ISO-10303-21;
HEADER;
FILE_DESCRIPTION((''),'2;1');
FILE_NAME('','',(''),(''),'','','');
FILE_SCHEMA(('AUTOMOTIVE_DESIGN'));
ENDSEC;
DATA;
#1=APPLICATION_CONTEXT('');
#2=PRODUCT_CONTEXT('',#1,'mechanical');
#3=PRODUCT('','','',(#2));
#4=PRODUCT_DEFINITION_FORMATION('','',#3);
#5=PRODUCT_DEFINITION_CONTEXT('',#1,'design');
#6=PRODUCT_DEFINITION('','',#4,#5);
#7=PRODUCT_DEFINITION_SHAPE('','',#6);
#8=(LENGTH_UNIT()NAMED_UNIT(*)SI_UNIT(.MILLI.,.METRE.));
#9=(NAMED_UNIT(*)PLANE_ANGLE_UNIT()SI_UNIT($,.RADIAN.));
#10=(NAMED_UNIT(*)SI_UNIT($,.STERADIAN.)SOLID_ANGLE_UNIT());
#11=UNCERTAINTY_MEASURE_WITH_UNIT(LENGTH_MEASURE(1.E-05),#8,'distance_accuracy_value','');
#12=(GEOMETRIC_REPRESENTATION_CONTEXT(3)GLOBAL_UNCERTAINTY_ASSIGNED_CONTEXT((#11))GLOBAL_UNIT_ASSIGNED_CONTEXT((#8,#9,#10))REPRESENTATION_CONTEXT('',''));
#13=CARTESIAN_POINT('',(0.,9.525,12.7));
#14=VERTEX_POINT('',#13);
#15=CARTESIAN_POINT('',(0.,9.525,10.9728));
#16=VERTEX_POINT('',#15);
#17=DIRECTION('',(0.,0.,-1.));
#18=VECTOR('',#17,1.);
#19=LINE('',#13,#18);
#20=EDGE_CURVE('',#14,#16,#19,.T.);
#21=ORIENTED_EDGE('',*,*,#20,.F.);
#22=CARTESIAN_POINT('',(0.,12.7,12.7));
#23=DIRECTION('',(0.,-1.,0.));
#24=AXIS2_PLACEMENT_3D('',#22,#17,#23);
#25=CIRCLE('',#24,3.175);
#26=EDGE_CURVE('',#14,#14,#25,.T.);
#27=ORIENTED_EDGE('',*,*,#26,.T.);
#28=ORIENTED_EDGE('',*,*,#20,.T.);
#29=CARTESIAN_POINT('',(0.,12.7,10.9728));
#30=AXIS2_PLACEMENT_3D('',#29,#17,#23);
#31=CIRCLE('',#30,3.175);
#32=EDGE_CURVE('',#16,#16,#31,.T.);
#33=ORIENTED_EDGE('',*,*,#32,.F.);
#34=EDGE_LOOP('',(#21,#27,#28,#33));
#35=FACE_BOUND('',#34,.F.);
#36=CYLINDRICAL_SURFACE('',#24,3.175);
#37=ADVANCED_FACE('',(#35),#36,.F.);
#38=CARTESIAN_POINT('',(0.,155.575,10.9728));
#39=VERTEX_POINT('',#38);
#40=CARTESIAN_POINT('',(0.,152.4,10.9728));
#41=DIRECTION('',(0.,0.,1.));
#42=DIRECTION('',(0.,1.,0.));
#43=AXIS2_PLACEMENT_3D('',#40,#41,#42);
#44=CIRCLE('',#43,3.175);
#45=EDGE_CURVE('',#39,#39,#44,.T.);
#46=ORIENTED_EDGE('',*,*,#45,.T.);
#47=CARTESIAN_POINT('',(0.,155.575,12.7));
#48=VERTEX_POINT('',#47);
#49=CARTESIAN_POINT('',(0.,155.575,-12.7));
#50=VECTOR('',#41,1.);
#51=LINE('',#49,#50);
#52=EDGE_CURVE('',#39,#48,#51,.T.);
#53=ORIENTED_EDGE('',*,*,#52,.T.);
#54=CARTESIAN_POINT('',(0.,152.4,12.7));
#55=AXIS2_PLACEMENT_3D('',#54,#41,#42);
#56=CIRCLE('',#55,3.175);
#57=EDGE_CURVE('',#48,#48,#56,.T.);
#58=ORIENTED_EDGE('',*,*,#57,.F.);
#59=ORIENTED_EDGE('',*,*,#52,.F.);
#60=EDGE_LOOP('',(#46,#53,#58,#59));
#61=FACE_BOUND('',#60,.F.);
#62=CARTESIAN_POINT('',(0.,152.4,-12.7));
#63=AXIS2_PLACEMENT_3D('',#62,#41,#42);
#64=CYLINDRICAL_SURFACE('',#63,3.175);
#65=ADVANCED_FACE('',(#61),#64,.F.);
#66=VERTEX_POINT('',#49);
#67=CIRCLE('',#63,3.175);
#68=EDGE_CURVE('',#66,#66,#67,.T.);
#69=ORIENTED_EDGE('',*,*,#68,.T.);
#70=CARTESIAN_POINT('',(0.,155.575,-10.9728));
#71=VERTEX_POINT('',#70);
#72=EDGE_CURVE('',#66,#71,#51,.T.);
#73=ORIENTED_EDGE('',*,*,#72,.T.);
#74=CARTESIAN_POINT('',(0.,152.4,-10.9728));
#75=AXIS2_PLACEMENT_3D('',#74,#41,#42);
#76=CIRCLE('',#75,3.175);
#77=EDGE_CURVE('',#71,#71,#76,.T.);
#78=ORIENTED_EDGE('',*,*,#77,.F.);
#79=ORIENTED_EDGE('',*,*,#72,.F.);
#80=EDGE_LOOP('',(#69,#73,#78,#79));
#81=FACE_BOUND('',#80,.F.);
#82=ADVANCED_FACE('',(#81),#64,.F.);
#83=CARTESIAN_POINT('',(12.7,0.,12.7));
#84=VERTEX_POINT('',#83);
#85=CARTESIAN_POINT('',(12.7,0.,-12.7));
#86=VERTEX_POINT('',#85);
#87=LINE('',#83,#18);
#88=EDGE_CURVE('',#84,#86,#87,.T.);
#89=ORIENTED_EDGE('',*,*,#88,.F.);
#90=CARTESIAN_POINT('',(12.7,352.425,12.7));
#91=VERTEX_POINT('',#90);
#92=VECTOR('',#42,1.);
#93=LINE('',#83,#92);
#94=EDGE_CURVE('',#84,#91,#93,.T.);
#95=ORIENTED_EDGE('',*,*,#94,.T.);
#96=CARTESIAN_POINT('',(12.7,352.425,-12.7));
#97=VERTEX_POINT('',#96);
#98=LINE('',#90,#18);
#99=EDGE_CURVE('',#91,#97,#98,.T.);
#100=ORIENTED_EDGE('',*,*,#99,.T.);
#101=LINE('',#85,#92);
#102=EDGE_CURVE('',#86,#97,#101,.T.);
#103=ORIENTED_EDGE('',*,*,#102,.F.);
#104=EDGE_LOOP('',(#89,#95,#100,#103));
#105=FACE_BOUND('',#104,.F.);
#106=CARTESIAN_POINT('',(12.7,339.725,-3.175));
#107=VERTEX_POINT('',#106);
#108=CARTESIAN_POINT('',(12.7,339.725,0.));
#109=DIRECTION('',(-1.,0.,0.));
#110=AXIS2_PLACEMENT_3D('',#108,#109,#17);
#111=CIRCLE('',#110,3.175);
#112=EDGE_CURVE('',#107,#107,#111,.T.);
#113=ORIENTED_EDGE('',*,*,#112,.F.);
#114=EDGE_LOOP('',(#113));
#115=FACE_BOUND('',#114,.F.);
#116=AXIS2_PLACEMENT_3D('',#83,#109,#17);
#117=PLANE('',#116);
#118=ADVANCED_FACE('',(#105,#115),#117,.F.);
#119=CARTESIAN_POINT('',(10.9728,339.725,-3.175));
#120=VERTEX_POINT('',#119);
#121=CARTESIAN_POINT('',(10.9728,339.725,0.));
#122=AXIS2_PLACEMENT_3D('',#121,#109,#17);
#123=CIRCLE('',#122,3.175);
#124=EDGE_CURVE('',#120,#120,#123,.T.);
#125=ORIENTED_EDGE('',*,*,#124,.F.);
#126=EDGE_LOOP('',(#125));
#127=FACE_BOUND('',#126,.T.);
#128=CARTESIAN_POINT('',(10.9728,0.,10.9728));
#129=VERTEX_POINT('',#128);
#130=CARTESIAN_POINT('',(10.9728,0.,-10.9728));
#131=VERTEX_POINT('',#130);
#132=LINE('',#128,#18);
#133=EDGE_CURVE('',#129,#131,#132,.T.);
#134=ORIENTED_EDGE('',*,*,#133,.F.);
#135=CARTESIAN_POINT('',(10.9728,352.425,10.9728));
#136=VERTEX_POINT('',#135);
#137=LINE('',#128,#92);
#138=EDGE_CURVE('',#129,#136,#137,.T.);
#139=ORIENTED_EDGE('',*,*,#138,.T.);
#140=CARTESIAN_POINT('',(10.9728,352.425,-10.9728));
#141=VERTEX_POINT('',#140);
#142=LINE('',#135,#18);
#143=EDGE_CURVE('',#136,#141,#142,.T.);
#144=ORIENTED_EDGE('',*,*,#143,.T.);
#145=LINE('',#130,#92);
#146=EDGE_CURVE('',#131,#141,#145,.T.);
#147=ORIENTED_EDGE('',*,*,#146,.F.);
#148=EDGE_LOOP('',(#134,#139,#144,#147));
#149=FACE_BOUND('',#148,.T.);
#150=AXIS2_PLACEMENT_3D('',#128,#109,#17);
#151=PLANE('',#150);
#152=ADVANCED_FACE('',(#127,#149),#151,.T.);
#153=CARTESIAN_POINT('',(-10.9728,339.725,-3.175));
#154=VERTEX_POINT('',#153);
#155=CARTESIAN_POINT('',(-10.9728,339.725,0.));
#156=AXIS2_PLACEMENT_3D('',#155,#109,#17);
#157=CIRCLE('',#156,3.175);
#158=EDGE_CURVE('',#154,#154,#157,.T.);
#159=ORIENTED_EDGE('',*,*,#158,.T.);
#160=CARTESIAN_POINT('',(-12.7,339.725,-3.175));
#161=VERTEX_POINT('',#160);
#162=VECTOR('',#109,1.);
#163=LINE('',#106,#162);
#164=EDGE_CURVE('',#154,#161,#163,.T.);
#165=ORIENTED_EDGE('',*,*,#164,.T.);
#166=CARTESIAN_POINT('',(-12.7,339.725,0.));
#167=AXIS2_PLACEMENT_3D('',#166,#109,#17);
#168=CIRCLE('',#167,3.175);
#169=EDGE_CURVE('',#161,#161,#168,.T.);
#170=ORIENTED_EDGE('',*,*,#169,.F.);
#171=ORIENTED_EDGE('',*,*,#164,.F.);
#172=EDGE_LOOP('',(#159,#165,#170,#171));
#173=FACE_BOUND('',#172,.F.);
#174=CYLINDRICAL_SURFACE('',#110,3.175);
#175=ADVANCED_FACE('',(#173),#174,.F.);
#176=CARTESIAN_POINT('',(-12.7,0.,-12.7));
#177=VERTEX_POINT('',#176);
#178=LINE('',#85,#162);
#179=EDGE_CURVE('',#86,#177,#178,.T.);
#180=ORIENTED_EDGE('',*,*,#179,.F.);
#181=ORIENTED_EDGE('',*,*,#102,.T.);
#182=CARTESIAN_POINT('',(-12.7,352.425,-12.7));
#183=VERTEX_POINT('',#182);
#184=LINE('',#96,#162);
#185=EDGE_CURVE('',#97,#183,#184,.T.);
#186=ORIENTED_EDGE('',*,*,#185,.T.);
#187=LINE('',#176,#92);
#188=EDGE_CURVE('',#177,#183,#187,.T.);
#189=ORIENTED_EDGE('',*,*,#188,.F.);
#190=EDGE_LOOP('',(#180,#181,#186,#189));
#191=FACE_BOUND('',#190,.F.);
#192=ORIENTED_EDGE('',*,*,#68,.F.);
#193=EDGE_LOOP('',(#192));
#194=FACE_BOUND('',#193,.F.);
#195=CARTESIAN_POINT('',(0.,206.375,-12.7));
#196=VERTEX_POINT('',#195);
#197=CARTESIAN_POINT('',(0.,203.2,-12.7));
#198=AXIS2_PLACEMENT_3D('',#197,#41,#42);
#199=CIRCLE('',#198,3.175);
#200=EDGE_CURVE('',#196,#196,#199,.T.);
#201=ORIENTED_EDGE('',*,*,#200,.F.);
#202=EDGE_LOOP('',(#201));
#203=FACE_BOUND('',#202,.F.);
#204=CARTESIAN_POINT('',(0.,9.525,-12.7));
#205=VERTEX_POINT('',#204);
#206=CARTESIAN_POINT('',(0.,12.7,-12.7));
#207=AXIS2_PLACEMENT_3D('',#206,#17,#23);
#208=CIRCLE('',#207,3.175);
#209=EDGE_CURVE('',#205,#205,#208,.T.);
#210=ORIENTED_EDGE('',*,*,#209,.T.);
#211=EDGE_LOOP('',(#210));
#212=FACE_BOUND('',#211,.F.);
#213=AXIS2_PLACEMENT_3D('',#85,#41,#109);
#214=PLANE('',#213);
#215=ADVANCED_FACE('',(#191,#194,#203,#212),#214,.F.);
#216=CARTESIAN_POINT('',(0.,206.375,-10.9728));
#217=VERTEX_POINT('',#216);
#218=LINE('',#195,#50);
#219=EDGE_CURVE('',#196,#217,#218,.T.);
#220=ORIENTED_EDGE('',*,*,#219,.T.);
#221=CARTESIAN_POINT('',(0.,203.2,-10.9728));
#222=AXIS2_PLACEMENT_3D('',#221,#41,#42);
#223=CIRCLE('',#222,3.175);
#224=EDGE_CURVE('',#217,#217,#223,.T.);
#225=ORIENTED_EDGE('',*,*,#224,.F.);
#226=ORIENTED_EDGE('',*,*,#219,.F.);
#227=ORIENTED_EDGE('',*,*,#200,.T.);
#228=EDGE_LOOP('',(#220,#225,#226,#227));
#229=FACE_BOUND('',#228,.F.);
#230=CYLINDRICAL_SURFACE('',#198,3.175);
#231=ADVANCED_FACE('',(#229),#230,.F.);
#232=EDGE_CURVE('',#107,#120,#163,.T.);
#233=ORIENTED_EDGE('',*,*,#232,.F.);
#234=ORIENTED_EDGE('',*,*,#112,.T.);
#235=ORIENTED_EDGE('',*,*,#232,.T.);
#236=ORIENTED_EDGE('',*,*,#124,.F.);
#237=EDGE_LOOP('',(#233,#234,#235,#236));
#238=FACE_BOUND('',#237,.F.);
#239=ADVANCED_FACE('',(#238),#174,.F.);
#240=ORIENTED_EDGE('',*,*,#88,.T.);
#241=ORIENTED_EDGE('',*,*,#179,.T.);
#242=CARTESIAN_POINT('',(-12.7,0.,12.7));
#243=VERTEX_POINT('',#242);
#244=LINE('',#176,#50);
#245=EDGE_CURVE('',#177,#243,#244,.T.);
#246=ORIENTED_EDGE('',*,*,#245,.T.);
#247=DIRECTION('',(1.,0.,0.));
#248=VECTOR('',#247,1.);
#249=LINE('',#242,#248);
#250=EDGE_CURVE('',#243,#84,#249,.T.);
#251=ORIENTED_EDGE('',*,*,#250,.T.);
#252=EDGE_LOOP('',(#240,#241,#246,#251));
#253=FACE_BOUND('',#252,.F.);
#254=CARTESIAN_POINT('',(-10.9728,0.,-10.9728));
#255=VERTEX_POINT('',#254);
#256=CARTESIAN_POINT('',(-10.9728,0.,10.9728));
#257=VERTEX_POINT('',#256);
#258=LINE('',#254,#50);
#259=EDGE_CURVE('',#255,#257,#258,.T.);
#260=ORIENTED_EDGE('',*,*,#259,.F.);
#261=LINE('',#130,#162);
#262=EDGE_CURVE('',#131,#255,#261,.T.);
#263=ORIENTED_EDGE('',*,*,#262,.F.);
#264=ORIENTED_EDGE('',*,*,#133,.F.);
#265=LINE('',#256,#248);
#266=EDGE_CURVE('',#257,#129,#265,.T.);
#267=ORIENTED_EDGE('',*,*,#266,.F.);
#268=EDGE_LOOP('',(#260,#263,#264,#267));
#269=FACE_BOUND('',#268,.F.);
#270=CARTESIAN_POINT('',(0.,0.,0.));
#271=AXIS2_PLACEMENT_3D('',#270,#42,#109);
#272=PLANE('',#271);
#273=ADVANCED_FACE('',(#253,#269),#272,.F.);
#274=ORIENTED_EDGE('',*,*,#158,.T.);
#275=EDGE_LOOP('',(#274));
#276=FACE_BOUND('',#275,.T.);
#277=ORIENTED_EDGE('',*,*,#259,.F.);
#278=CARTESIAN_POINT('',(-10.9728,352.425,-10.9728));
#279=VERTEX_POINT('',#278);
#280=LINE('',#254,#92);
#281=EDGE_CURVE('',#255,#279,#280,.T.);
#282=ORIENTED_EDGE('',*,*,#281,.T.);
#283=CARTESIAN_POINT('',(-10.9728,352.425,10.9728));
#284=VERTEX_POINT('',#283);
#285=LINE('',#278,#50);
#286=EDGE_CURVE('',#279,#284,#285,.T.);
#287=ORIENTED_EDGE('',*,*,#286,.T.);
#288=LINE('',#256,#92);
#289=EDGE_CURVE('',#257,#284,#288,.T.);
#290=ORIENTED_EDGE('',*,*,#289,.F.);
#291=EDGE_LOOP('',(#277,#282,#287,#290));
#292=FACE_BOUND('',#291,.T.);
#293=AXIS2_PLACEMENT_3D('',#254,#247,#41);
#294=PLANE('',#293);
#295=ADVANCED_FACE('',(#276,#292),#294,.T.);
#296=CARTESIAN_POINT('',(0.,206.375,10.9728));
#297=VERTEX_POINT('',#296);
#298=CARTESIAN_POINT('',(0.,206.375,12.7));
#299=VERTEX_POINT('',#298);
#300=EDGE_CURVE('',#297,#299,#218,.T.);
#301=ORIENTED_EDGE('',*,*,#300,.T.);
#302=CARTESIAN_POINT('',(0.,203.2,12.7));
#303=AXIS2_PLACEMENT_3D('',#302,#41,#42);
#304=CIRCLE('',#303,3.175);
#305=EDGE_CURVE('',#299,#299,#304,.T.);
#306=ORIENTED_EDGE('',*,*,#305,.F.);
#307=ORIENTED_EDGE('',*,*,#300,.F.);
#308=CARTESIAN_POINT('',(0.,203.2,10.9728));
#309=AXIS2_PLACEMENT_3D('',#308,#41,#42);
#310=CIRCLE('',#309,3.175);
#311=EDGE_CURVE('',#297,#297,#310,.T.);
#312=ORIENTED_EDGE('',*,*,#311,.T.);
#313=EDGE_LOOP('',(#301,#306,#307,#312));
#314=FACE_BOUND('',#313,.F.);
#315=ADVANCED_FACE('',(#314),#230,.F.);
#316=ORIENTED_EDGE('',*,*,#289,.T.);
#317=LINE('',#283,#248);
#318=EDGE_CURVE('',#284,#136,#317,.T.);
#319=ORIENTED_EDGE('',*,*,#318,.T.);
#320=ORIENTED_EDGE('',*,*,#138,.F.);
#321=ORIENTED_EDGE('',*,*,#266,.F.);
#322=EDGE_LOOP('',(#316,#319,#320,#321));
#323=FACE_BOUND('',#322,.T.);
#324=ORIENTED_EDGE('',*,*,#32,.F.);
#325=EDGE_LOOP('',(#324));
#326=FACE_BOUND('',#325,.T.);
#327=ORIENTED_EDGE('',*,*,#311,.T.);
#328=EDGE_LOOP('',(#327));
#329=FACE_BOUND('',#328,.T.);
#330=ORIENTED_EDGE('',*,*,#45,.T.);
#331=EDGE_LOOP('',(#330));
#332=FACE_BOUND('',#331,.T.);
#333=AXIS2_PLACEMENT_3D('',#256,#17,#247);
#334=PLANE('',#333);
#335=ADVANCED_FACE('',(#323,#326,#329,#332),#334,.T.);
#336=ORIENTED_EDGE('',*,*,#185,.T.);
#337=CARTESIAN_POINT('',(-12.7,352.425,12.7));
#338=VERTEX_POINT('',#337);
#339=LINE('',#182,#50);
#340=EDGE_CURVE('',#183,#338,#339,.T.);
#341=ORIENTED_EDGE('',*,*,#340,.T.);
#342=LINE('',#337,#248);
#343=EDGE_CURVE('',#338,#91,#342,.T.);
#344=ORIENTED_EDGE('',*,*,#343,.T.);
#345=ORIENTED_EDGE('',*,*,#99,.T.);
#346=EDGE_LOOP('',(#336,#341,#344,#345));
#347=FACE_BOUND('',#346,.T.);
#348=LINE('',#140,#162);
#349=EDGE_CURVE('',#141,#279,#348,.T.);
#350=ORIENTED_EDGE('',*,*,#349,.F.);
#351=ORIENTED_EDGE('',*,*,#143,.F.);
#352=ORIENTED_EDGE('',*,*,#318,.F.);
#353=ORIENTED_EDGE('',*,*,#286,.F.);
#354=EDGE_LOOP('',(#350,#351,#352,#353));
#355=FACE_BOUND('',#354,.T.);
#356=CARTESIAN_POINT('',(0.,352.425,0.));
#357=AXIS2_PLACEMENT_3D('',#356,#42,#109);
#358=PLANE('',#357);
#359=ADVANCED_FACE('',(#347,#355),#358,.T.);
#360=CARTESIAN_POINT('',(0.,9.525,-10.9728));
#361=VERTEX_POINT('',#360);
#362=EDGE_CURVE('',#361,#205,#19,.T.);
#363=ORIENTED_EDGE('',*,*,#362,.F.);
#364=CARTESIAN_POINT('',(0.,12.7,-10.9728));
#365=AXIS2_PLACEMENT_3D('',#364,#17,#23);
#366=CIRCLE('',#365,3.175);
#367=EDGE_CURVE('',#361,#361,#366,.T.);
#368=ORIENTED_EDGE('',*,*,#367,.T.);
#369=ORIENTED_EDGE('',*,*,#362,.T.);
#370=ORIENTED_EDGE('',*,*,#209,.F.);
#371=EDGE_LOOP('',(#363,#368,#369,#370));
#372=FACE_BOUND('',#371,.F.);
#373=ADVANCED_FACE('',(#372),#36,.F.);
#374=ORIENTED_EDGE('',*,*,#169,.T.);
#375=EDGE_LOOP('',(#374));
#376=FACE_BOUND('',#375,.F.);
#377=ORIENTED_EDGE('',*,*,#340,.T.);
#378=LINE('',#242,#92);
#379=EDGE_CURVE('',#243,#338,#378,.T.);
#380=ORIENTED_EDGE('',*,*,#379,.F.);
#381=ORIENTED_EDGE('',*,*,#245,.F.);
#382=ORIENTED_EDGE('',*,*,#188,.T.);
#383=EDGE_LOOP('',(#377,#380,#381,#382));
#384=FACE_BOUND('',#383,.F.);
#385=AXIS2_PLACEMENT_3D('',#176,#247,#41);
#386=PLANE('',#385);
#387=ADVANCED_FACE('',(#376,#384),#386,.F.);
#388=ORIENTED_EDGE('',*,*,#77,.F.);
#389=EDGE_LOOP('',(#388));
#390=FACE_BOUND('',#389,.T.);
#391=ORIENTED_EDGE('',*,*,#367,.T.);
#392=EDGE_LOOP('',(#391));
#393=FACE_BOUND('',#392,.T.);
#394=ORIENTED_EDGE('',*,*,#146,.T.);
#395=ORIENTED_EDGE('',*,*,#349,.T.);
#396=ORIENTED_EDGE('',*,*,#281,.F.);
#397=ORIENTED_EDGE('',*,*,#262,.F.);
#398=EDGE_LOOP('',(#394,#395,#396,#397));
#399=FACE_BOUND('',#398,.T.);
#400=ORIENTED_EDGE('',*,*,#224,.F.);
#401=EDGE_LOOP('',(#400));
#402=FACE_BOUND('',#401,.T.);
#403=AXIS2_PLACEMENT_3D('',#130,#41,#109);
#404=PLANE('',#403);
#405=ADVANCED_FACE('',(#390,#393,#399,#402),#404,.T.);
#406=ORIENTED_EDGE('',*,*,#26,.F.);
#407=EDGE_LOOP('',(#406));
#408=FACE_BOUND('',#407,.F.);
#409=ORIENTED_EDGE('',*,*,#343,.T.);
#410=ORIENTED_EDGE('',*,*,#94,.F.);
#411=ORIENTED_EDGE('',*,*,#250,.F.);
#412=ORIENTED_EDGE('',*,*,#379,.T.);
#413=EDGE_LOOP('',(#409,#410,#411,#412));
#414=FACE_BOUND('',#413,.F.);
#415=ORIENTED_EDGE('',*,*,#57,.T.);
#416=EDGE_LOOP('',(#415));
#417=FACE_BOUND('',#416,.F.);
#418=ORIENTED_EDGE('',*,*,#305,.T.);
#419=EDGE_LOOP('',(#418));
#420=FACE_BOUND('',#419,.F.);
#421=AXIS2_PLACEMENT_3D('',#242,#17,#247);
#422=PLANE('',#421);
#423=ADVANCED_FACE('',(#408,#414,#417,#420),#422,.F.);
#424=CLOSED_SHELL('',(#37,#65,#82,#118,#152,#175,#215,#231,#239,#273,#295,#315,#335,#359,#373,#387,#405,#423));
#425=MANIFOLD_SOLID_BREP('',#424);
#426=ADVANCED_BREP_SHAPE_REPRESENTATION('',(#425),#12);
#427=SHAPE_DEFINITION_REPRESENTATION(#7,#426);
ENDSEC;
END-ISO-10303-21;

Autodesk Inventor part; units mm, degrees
ref_plane "YZ Plane" through (0, 0, 0) normal (1, 0, 0) x (0, 1, 0)
ref_plane "XZ Plane" through (0, 0, 0) normal (0, 1, 0) x (-1, 0, 0)
ref_plane "XY Plane" through (0, 0, 0) normal (0, 0, 1) x (1, 0, 0)
sketch "Sketch1" plane through (0, 0, 0) normal (0, 1, 0) x (-1, 0, 0)
  line L0 (-12.7, -12.7) -> (12.7, -12.7)
  line L1 (12.7, -12.7) -> (12.7, 12.7)
  line L2 (12.7, 12.7) -> (-12.7, 12.7)
  line L3 (-12.7, 12.7) -> (-12.7, -12.7)
  line L4 (-12.7, -12.7) -> (12.7, 12.7) construction
  line L5 (12.7, -12.7) -> (-12.7, 12.7) construction
  line L6 (-10.9728, -10.9728) -> (10.9728, -10.9728)
  line L7 (10.9728, -10.9728) -> (10.9728, 10.9728)
  line L8 (10.9728, 10.9728) -> (-10.9728, 10.9728)
  line L9 (-10.9728, 10.9728) -> (-10.9728, -10.9728)
  line L10 (-10.9728, -10.9728) -> (10.9728, 10.9728) construction
  line L11 (10.9728, -10.9728) -> (-10.9728, 10.9728) construction
  point P0 (0, 0)
  dimension "d0" = 25.4
  dimension "d2" = 25.4
  dimension "d3" = 1.7272
  dimension "d4" = 1.7272
extrude "Extrusion1" add sketch "Sketch1" along normal blind 352.425
sketch "Sketch2" plane through (12.7, 0, 12.7) normal (1, 0, 0) x (0, 0, -1)
  line L0 (0, 352.425) -> (25.4, 352.425) projected
  line L1 (0, 0) -> (0, 352.425) projected
  point P0 (12.7, 0)
  point P1 (12.7, 339.725)
  dimension "d7" = 12.7
  dimension "d8" = 12.7
hole "Hole1" at (12.7, 339.725, 0) direction (-1, 0, 0) diameter 6.35 end through all
sketch "Sketch4" plane through (-12.7, 0, 12.7) normal (0, 0, 1) x (1, 0, 0)
  line L0 (0, 0) -> (25.4, 0) projected
  line L1 (25.4, 0) -> (25.4, 352.425) projected
  point P0 (12.7, 0)
  point P1 (12.7, 12.7)
  dimension "d25" = 12.7
  dimension "d26" = 12.7
hole "Hole3" at (0, 12.7, 12.7) direction (0, 0, -1) diameter 6.35 end through all
sketch "Sketch5" plane through (12.7, 0, -12.7) normal (0, 0, -1) x (-1, 0, 0)
  line L0 (0, 0) -> (25.4, 0) projected
  line L1 (25.4, 0) -> (25.4, 352.425) projected
  line L2 (0, 352.425) -> (25.4, 352.425) projected
  point P0 (12.7, 0)
  point P1 (12.7, 203.2)
  point P2 (12.7, 152.4)
  dimension "d34" = 50.8
  dimension "d36" = 152.4
  dimension "d38" = 149.225
  dimension "d39" = 352.425
  dimension "d40" = 12.7
  dimension "d41" = 12.7
hole "Hole4" at (0, 203.2, -12.7) at (0, 152.4, -12.7) direction (0, 0, 1) diameter 6.35 end through all
properties part number "BAseBAr" material "Aluminum 6061"
